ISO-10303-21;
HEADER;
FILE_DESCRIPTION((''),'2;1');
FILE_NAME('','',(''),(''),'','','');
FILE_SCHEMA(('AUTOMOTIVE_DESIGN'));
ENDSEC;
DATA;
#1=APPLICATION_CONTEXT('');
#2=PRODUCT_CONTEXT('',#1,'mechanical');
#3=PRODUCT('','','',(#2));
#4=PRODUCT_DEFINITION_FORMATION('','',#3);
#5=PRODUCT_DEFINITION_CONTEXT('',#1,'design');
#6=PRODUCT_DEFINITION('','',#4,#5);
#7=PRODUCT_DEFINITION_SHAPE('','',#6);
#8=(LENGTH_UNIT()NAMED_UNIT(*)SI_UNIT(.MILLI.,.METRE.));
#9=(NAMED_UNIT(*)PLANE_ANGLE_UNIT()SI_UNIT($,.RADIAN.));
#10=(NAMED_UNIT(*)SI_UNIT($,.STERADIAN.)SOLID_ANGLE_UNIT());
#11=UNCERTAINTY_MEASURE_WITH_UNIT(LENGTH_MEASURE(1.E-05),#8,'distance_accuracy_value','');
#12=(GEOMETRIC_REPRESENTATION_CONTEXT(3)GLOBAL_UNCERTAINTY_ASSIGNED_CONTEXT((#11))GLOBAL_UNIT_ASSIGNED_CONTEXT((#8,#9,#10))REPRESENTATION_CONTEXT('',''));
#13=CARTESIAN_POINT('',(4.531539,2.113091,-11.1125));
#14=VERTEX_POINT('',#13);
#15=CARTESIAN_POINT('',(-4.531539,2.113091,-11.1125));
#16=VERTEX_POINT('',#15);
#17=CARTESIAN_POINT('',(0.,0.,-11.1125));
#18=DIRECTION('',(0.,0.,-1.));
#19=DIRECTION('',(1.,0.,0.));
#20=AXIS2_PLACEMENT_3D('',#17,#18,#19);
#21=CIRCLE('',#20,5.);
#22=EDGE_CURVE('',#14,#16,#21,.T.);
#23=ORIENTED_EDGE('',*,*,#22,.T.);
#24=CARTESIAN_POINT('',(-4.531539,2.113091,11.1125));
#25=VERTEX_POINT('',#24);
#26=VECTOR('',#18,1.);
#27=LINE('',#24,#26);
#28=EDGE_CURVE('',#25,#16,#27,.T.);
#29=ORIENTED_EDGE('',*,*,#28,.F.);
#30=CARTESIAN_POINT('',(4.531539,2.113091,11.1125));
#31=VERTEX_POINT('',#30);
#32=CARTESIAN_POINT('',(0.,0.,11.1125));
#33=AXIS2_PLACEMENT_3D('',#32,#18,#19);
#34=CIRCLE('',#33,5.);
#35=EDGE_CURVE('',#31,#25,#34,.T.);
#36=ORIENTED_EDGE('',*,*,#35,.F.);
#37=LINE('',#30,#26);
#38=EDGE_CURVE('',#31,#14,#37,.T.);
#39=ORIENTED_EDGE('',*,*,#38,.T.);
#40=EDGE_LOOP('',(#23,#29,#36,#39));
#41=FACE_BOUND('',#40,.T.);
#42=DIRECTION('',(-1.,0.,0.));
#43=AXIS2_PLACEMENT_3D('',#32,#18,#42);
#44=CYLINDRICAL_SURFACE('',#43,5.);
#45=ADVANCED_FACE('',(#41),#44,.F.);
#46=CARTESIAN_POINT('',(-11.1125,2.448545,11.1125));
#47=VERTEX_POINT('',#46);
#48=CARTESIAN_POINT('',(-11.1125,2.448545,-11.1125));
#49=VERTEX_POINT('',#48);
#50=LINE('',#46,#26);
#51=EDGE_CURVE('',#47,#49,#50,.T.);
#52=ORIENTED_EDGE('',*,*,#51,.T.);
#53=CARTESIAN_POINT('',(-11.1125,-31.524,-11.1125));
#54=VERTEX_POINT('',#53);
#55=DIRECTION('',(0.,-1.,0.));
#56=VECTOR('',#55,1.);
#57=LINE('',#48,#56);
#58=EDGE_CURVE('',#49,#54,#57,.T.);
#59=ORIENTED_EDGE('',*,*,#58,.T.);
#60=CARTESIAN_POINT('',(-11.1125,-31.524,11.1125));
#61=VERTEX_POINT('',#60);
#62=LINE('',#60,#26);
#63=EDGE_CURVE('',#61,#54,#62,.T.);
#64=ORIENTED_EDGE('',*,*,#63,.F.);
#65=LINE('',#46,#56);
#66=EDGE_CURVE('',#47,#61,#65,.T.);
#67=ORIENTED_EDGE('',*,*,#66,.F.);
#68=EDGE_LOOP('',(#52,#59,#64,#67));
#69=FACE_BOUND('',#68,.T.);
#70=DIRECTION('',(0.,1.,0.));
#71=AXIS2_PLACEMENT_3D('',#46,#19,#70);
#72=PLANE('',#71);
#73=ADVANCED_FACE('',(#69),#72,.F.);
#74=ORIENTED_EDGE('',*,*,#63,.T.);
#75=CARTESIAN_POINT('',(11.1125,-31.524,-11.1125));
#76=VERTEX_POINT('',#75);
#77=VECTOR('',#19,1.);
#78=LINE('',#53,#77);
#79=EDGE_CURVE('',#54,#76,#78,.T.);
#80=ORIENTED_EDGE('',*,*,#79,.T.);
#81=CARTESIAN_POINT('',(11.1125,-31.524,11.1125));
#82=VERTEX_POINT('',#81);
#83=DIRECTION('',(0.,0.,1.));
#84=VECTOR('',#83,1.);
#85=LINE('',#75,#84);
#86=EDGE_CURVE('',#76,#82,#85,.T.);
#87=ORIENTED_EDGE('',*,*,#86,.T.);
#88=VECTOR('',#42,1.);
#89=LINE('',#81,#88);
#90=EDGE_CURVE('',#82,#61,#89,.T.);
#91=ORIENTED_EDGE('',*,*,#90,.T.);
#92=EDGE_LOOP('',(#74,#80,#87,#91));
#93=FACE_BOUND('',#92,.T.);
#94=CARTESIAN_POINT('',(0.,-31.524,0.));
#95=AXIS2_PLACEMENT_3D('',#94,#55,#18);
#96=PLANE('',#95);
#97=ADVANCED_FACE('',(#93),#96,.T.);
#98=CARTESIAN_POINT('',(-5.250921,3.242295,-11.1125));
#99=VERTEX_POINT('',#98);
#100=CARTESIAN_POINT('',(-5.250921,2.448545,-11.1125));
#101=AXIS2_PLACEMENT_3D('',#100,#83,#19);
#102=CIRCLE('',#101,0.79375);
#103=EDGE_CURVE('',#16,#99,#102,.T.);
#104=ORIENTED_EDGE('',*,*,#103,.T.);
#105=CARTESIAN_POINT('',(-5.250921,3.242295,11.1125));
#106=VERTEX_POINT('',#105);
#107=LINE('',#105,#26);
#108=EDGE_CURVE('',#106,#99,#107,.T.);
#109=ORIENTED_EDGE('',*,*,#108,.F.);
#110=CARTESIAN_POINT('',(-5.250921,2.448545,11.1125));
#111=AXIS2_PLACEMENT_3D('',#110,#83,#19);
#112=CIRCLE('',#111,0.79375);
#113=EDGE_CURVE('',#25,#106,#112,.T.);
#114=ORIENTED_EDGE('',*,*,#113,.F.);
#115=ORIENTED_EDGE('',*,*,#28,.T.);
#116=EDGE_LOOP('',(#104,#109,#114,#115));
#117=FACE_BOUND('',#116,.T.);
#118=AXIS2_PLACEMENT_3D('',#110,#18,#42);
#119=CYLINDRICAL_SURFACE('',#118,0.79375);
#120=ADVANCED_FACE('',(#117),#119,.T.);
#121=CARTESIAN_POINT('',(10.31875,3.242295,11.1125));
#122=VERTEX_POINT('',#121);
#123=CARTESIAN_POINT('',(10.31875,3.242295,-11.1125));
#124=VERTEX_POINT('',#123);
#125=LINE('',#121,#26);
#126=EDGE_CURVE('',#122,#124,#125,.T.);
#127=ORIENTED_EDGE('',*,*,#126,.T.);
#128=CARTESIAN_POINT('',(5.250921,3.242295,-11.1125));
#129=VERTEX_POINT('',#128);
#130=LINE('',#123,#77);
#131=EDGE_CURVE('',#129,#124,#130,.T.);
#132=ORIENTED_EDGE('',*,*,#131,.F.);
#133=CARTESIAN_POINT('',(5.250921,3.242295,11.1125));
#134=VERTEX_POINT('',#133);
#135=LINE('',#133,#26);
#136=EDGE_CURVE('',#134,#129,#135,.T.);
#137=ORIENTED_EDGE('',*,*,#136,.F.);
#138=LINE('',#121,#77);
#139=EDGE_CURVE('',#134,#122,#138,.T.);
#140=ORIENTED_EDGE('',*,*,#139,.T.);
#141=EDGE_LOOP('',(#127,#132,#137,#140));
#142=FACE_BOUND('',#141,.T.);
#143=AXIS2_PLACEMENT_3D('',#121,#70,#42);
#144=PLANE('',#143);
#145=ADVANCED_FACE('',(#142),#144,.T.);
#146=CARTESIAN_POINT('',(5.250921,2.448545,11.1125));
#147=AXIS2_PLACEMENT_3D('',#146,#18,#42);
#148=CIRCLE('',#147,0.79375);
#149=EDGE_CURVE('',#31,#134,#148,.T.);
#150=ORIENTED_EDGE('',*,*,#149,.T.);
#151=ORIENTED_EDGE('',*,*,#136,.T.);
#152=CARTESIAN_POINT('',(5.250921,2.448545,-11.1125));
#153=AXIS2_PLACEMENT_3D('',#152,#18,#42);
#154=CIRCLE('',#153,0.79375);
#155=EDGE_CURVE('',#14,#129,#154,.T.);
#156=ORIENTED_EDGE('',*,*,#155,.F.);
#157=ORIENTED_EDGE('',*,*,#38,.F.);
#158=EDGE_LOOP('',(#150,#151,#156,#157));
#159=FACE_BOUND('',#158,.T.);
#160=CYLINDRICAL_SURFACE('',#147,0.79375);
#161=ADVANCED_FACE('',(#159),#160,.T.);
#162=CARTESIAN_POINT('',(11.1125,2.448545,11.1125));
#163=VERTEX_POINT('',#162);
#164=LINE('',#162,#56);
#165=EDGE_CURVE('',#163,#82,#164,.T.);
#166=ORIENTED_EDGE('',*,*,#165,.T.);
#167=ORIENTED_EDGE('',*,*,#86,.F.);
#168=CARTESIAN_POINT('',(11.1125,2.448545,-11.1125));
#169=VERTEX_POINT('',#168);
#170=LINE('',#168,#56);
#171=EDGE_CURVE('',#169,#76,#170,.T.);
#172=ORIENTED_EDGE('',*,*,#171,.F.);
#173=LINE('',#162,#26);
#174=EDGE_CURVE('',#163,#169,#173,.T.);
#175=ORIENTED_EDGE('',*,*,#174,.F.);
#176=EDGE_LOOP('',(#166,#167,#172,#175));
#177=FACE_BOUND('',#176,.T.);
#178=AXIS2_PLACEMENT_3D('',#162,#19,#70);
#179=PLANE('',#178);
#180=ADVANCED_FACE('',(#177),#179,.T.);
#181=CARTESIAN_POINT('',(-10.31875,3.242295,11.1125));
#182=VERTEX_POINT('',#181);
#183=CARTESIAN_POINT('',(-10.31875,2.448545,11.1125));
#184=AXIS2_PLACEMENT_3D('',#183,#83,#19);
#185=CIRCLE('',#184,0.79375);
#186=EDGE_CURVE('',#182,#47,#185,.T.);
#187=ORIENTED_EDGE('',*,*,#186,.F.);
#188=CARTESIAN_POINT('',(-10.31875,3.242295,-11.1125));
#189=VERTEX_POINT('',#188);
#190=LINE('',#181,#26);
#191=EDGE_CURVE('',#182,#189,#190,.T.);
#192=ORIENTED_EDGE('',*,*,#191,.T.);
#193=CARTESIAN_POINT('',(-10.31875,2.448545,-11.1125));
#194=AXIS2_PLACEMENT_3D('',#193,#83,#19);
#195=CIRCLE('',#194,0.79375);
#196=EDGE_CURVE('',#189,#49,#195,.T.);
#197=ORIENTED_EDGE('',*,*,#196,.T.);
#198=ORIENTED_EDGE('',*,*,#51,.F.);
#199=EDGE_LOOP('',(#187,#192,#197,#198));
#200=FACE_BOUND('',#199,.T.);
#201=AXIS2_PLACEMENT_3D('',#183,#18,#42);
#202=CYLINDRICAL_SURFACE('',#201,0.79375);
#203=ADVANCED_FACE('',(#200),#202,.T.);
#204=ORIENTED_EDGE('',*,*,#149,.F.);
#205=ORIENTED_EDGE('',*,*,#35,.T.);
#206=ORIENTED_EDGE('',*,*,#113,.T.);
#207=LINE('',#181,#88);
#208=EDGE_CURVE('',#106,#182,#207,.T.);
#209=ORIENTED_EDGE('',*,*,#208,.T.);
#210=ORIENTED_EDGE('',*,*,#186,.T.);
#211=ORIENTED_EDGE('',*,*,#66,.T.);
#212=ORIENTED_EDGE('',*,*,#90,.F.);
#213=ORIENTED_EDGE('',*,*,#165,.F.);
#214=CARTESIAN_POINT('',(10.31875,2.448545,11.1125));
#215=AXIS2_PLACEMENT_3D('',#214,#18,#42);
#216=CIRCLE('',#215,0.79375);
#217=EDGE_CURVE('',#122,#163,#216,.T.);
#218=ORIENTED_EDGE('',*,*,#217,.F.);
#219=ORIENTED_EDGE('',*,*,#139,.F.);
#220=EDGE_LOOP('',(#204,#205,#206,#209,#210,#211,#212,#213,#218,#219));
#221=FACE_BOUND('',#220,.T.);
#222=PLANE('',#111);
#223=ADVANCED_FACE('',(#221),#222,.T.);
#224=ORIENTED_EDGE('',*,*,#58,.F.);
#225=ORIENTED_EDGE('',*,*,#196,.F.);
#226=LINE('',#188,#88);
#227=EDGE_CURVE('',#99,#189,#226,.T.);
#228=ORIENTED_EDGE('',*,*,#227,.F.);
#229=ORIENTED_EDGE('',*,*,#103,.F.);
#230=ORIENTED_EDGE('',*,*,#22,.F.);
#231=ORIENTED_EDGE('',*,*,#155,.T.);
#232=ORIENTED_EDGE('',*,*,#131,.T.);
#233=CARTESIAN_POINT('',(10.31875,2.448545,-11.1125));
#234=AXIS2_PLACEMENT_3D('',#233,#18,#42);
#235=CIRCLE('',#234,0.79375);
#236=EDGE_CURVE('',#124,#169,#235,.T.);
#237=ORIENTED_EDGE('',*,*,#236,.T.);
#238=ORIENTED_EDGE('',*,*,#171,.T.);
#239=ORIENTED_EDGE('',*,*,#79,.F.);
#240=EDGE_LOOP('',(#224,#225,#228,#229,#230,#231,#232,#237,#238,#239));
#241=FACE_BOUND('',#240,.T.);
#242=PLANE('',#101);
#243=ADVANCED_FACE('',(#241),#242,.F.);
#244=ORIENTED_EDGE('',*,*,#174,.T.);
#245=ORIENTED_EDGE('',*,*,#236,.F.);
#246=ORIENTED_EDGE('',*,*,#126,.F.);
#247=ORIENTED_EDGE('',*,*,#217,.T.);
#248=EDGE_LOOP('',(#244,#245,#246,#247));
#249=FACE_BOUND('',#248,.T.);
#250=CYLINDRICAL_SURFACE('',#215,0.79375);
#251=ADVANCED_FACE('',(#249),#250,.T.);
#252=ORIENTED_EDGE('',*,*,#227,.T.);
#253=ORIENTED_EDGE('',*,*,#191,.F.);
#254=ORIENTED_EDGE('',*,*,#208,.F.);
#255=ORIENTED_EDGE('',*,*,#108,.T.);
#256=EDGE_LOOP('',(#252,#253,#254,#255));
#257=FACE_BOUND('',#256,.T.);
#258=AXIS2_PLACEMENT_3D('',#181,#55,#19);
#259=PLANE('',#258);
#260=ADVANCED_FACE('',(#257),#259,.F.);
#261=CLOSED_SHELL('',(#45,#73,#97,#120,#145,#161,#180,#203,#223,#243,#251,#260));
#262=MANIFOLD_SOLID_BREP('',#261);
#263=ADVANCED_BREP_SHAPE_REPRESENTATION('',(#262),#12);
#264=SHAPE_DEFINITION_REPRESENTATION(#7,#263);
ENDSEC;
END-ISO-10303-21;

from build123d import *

# Parameters (mm, degrees)
BOSS_EXTRUDE1_DEPTH = 11.1125
SKETCH2_W           = 22.225
SKETCH2_H           = 22.225
BOSS_EXTRUDE2_DEPTH = 1.524


with BuildPart() as part:
    # Sketch1 → Boss-Extrude1 (new body, symmetric)
    with BuildSketch(Plane.XY):
        with BuildLine():
            Line((-11.1125, 2.448544554), (-11.1125, -30))
            Line((-11.1125, -30), (0, -30))
            Line((0, -30), (0, -5))
            ThreePointArc((0, -5), (-4.216957229, -2.686498042), (-4.531538935, 2.113091309))
            ThreePointArc((-4.531538935, 2.113091309), (-4.581478781, 2.875026118), (-5.250920741, 3.242294554))
            Line((-5.250920741, 3.242294554), (-10.31875, 3.242294554))
            ThreePointArc((-10.31875, 3.242294554), (-10.880016008, 3.009810562), (-11.1125, 2.448544554))
        make_face()
    boss_extrude1 = extrude(amount=BOSS_EXTRUDE1_DEPTH, both=True)

    # Mirror1: Boss-Extrude1 across plane
    add(boss_extrude1.mirror(Plane(origin=(0, 0, 0), x_dir=(0, 0, 1), z_dir=(1, 0, 0))))

    # Sketch2 → Boss-Extrude2 (add)
    with BuildSketch(Plane.XZ.offset(30)):
        Rectangle(SKETCH2_W, SKETCH2_H)
    extrude(amount=BOSS_EXTRUDE2_DEPTH)


solid = part.part
